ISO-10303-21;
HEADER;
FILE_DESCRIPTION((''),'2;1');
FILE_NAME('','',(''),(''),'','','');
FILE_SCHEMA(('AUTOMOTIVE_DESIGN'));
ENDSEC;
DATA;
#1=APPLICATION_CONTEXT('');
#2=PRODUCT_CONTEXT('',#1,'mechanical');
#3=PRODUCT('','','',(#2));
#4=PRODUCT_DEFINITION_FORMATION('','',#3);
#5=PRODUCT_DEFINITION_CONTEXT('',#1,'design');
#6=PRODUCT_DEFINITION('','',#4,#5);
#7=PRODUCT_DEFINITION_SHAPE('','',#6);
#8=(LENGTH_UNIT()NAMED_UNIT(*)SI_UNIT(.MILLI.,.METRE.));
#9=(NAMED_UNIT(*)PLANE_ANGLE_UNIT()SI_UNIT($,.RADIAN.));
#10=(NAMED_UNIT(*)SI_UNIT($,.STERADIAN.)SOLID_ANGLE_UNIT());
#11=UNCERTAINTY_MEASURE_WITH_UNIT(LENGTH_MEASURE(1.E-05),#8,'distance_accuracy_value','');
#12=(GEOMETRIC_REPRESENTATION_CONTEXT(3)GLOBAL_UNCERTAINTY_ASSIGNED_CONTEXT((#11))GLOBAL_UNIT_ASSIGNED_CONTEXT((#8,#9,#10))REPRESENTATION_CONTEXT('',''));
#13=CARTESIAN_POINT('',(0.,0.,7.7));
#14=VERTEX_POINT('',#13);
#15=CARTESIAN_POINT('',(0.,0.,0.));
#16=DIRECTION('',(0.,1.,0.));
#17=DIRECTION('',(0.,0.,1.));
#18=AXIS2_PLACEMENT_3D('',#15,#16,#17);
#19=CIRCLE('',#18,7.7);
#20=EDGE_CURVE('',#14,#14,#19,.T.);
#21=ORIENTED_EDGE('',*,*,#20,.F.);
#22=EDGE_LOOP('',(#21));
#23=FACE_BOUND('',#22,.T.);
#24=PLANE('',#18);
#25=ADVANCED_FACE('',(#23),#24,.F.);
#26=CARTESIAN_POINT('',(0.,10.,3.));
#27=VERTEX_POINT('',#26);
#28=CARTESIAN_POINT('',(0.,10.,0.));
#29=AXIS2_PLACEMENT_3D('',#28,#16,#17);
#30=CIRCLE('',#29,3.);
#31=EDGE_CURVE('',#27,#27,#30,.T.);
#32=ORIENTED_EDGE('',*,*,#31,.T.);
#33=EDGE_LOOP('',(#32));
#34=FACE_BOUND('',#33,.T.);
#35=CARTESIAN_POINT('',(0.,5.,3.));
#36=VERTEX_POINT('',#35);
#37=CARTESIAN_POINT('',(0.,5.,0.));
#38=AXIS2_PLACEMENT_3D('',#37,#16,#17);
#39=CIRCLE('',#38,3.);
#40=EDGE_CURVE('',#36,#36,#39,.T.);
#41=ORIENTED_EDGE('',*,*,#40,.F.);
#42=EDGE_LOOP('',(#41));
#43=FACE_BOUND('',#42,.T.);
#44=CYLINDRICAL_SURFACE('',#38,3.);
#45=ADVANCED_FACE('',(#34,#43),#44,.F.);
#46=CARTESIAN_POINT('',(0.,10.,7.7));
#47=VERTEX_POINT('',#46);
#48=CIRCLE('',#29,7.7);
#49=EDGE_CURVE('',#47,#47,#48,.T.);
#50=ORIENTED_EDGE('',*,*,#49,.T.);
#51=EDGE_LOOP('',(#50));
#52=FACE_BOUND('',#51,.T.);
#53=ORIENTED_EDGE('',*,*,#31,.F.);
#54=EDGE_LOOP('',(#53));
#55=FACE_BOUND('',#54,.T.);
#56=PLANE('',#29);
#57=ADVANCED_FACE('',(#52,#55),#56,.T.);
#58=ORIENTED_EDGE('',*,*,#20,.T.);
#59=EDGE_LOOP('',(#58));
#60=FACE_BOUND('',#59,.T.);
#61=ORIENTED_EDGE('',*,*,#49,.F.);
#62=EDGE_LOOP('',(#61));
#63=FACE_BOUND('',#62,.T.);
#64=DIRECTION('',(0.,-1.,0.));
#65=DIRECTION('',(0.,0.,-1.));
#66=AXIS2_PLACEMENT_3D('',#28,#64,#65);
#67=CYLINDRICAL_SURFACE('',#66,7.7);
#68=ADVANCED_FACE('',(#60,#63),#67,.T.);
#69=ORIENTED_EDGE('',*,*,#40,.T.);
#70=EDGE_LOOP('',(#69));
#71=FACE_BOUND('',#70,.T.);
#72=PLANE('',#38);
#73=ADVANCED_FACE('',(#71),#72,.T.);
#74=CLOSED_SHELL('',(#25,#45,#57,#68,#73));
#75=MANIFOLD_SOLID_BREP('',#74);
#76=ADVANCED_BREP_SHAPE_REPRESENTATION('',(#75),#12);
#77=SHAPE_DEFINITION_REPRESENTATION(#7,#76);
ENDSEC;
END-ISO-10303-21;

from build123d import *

# Parameters (mm, degrees)
SKETCH1_R           = 7.7
BOSS_EXTRUDE1_DEPTH = 10
SKETCH2_R           = 3
CUT_EXTRUDE1_DEPTH  = 5


with BuildPart() as part:
    # Sketch1 → Boss-Extrude1 (new body)
    with BuildSketch(Plane(origin=(0, 0, 0), x_dir=(1, 0, 0), z_dir=(0, 1, 0))):
        with Locations(Location((0, 0, 0), (0, 0, 270))):
            Circle(SKETCH1_R)
    extrude(amount=BOSS_EXTRUDE1_DEPTH)

    # Sketch2 → Cut-Extrude1 (cut)
    with BuildSketch(Plane(origin=(0, 10, 0), x_dir=(1, 0, 0), z_dir=(0, 1, 0))):
        with Locations(Location((0, 0, 0), (0, 0, 270))):
            Circle(SKETCH2_R)
    extrude(amount=-CUT_EXTRUDE1_DEPTH, mode=Mode.SUBTRACT)


solid = part.part
